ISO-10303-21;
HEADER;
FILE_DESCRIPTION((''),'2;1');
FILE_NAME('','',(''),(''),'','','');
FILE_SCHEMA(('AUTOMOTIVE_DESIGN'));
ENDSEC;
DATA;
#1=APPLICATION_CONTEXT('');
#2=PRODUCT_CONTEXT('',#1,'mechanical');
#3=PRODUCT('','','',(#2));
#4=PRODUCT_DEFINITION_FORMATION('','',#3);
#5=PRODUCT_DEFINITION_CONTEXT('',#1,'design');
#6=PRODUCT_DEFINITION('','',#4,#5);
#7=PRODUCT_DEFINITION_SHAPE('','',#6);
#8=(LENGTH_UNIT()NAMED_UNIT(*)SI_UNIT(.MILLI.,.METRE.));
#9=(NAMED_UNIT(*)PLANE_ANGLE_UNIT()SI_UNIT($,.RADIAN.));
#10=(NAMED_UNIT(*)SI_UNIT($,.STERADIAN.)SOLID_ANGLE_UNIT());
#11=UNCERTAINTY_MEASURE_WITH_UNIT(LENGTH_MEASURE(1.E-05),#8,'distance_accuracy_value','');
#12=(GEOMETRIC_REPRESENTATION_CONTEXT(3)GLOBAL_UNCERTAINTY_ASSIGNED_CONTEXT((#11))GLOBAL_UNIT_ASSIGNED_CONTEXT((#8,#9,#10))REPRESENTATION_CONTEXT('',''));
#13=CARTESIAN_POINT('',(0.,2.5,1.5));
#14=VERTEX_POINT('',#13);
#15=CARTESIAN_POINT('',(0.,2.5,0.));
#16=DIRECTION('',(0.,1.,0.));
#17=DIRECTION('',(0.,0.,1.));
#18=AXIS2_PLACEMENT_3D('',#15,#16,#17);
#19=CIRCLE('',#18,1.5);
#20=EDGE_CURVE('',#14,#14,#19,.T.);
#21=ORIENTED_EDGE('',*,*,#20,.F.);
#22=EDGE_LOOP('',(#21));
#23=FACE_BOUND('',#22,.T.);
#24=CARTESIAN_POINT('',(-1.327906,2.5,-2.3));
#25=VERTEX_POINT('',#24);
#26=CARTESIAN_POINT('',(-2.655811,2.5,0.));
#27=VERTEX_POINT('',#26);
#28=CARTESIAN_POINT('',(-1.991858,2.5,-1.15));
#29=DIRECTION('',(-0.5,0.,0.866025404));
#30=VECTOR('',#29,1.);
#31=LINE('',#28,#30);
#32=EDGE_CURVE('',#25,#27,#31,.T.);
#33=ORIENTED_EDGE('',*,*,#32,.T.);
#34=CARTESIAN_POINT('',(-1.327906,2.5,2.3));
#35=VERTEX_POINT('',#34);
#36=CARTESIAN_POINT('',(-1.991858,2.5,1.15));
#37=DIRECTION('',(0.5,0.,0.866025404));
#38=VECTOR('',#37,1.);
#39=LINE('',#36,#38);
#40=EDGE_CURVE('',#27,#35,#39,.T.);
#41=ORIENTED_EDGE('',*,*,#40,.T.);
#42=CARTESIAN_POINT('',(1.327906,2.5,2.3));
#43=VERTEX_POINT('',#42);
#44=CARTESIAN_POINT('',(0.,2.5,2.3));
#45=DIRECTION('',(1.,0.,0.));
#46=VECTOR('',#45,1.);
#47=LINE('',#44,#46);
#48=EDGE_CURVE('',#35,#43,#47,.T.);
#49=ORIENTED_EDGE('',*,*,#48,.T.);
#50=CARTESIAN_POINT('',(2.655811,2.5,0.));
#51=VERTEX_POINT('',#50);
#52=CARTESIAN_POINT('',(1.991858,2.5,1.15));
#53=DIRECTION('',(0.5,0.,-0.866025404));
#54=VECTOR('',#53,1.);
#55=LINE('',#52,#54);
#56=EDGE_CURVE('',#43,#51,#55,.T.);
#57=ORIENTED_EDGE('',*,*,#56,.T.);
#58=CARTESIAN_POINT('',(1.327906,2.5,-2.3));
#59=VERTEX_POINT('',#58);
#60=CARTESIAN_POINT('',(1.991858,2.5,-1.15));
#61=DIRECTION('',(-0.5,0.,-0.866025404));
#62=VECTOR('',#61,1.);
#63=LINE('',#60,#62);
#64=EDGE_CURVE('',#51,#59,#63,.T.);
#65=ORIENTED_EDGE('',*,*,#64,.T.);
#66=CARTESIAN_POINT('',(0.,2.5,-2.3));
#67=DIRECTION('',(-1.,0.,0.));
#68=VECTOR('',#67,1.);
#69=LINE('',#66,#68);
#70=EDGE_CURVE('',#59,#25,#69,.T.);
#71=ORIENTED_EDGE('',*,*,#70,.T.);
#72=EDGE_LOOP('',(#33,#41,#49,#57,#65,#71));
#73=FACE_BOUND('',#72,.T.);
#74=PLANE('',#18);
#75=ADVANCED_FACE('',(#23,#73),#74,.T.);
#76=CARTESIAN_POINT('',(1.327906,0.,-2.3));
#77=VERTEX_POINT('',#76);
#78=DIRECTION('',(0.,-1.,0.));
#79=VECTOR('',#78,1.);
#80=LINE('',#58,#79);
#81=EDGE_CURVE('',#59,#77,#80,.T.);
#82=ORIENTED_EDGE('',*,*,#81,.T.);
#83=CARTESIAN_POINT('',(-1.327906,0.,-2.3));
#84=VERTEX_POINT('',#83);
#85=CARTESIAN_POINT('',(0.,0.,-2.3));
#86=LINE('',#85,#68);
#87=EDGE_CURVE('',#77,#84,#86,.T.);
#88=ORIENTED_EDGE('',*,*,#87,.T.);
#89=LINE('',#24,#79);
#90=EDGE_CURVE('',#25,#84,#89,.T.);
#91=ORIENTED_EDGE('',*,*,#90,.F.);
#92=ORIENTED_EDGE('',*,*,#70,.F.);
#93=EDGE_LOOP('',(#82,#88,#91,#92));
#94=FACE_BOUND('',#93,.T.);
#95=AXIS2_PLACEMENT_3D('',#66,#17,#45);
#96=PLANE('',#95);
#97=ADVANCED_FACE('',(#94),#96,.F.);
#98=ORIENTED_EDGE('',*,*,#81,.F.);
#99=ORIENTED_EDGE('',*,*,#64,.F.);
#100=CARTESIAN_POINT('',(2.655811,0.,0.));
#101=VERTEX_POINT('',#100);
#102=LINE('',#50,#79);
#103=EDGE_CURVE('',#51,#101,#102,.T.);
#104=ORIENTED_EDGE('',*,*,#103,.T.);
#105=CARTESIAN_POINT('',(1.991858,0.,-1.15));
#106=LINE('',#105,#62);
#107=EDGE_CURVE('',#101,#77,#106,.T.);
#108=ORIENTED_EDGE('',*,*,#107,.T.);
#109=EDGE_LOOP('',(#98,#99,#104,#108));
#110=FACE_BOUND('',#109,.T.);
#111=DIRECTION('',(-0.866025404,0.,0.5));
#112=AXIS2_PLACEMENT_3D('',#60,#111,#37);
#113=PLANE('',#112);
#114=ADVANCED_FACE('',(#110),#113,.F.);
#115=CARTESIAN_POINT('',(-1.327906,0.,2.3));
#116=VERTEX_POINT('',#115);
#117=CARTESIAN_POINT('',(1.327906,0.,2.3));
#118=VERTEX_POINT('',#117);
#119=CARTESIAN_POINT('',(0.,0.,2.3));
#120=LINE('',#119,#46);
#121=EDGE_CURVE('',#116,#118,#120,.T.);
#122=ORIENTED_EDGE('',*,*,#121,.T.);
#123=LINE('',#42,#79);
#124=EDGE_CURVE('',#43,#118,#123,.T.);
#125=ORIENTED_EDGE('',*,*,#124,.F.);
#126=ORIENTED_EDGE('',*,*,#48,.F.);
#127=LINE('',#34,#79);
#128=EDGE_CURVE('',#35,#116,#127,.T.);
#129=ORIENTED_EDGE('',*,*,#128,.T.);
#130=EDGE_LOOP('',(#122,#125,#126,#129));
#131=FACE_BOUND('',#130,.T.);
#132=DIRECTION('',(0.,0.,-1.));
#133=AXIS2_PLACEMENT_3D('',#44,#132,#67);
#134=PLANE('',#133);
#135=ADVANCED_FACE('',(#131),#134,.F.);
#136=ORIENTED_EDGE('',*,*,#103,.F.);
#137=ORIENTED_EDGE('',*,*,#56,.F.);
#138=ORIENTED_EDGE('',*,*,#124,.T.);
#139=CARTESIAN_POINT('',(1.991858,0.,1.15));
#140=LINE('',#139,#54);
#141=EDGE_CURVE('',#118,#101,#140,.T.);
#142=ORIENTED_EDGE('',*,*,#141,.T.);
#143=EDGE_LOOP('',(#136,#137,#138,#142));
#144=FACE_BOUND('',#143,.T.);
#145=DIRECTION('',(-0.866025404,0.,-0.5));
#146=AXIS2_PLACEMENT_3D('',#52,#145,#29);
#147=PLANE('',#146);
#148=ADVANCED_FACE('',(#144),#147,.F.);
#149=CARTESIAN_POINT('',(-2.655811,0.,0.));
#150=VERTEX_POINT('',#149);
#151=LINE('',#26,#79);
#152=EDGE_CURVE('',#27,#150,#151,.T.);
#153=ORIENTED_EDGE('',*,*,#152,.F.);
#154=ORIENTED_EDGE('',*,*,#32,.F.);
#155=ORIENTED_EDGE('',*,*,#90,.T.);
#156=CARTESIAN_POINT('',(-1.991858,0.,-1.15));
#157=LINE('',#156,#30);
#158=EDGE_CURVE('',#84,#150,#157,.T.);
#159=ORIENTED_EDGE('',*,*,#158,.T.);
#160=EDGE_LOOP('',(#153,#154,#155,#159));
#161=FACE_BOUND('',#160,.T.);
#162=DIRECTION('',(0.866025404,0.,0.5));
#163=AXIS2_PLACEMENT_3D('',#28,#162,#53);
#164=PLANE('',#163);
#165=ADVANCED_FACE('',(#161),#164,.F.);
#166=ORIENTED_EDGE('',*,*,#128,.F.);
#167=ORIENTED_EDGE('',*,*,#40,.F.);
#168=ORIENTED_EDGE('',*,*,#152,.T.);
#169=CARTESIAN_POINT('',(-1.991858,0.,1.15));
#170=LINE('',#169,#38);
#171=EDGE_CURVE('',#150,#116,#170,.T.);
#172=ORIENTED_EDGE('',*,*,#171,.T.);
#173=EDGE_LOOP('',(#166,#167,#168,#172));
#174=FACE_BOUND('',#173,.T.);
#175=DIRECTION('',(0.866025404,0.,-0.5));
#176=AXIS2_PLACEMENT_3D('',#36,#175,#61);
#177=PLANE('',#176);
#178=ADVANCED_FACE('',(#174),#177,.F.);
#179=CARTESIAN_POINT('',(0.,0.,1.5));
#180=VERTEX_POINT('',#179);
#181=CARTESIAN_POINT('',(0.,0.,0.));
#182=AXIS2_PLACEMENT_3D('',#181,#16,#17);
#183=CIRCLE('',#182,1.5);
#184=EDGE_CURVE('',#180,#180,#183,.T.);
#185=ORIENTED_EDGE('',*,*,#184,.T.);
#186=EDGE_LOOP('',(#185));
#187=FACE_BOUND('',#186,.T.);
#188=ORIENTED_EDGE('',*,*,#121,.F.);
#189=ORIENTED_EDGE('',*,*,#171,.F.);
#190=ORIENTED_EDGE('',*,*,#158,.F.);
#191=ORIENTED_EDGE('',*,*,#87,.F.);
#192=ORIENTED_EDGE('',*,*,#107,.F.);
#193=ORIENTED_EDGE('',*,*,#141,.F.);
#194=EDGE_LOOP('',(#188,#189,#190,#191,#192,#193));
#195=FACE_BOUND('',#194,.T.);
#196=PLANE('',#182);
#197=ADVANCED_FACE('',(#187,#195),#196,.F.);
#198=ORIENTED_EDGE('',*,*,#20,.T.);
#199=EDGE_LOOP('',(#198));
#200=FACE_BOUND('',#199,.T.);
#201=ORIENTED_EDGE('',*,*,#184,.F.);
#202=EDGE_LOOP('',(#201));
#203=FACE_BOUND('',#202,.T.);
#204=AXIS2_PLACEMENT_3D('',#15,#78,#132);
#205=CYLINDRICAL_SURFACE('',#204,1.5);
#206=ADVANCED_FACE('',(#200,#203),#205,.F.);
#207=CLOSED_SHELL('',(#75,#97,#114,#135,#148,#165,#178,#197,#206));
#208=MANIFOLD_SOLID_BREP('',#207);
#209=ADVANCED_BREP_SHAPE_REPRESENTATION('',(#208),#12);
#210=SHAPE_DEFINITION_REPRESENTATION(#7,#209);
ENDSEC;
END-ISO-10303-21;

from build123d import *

# Parameters (mm, degrees)
SKETCH_1_R      = 1.5
EXTRUDE_2_DEPTH = 2.5


with BuildPart() as part:
    # 草图1 → 凸台-拉伸2 (new body)
    with BuildSketch(Plane(origin=(0, 0, 0), x_dir=(1, 0, 0), z_dir=(0, 1, 0))):
        Polygon((-1.327905619, 2.3), (-2.655811238, 0), (-1.327905619, -2.3), (1.327905619, -2.3), (2.655811238, 0), (1.327905619, 2.3), align=None)
        Circle(SKETCH_1_R, mode=Mode.SUBTRACT)
    extrude(amount=EXTRUDE_2_DEPTH)


solid = part.part
